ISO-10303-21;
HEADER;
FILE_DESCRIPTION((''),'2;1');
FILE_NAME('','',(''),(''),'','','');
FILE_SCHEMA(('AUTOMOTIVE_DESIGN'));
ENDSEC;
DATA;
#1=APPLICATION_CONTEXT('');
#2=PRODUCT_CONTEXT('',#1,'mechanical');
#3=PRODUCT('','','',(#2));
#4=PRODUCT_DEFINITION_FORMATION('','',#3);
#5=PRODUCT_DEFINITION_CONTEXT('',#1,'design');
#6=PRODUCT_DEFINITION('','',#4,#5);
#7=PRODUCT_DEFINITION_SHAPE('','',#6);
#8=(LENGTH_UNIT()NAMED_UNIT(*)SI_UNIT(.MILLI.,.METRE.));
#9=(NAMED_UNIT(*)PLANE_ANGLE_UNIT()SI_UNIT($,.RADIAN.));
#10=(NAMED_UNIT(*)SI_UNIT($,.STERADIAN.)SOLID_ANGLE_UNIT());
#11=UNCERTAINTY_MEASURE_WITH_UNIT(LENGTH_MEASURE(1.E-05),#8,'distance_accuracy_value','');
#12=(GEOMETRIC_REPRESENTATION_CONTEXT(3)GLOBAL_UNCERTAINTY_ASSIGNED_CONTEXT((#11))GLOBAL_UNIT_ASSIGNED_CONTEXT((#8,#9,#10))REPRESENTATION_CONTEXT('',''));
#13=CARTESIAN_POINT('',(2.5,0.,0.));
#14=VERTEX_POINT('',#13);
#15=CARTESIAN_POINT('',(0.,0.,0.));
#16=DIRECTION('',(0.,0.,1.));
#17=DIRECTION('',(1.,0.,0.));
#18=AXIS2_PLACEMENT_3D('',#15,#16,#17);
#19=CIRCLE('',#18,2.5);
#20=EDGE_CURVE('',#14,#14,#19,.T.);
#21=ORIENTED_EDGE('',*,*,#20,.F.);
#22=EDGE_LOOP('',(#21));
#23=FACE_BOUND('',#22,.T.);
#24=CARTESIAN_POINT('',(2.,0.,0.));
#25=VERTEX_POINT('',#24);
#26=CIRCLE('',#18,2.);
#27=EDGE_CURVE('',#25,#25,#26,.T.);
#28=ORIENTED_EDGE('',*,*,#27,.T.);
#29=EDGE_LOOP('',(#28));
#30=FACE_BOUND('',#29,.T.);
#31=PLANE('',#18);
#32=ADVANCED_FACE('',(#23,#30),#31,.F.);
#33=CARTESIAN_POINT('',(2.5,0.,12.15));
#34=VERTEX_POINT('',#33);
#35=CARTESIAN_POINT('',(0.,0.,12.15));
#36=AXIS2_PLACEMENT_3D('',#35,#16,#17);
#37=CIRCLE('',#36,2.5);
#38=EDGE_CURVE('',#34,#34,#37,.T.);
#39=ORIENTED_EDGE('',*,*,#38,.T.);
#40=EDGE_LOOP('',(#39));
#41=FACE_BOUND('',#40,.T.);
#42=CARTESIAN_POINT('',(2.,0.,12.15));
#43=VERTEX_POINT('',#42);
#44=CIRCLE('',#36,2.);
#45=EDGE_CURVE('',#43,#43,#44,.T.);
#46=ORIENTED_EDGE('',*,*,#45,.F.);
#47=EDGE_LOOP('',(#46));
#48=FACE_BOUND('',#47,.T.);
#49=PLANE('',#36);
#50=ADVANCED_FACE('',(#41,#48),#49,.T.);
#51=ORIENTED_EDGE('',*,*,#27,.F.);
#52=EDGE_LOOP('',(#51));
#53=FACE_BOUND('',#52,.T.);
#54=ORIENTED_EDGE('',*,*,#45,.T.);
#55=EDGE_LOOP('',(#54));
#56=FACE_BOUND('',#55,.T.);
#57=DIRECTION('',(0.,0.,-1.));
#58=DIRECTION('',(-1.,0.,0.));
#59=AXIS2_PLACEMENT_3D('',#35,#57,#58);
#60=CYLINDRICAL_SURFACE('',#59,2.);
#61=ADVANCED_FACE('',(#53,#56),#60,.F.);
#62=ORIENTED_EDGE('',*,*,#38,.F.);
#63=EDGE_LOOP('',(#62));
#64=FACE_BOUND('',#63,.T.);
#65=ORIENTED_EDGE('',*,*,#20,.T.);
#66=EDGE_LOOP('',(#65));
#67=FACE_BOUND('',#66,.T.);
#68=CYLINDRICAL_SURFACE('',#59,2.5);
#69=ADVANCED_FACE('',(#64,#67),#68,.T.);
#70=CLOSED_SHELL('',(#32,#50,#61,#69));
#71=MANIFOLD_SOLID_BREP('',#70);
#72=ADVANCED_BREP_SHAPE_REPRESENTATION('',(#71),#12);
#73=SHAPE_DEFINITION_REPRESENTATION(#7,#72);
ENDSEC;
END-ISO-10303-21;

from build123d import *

# Parameters (mm, degrees)
SKETCH1_R           = 2.5
SKETCH1_R_2         = 2
BOSS_EXTRUDE1_DEPTH = 12.15


with BuildPart() as part:
    # Sketch1 → Boss-Extrude1 (new body)
    with BuildSketch(Plane.XY):
        Circle(SKETCH1_R)
        Circle(SKETCH1_R_2, mode=Mode.SUBTRACT)
    extrude(amount=BOSS_EXTRUDE1_DEPTH)


solid = part.part
